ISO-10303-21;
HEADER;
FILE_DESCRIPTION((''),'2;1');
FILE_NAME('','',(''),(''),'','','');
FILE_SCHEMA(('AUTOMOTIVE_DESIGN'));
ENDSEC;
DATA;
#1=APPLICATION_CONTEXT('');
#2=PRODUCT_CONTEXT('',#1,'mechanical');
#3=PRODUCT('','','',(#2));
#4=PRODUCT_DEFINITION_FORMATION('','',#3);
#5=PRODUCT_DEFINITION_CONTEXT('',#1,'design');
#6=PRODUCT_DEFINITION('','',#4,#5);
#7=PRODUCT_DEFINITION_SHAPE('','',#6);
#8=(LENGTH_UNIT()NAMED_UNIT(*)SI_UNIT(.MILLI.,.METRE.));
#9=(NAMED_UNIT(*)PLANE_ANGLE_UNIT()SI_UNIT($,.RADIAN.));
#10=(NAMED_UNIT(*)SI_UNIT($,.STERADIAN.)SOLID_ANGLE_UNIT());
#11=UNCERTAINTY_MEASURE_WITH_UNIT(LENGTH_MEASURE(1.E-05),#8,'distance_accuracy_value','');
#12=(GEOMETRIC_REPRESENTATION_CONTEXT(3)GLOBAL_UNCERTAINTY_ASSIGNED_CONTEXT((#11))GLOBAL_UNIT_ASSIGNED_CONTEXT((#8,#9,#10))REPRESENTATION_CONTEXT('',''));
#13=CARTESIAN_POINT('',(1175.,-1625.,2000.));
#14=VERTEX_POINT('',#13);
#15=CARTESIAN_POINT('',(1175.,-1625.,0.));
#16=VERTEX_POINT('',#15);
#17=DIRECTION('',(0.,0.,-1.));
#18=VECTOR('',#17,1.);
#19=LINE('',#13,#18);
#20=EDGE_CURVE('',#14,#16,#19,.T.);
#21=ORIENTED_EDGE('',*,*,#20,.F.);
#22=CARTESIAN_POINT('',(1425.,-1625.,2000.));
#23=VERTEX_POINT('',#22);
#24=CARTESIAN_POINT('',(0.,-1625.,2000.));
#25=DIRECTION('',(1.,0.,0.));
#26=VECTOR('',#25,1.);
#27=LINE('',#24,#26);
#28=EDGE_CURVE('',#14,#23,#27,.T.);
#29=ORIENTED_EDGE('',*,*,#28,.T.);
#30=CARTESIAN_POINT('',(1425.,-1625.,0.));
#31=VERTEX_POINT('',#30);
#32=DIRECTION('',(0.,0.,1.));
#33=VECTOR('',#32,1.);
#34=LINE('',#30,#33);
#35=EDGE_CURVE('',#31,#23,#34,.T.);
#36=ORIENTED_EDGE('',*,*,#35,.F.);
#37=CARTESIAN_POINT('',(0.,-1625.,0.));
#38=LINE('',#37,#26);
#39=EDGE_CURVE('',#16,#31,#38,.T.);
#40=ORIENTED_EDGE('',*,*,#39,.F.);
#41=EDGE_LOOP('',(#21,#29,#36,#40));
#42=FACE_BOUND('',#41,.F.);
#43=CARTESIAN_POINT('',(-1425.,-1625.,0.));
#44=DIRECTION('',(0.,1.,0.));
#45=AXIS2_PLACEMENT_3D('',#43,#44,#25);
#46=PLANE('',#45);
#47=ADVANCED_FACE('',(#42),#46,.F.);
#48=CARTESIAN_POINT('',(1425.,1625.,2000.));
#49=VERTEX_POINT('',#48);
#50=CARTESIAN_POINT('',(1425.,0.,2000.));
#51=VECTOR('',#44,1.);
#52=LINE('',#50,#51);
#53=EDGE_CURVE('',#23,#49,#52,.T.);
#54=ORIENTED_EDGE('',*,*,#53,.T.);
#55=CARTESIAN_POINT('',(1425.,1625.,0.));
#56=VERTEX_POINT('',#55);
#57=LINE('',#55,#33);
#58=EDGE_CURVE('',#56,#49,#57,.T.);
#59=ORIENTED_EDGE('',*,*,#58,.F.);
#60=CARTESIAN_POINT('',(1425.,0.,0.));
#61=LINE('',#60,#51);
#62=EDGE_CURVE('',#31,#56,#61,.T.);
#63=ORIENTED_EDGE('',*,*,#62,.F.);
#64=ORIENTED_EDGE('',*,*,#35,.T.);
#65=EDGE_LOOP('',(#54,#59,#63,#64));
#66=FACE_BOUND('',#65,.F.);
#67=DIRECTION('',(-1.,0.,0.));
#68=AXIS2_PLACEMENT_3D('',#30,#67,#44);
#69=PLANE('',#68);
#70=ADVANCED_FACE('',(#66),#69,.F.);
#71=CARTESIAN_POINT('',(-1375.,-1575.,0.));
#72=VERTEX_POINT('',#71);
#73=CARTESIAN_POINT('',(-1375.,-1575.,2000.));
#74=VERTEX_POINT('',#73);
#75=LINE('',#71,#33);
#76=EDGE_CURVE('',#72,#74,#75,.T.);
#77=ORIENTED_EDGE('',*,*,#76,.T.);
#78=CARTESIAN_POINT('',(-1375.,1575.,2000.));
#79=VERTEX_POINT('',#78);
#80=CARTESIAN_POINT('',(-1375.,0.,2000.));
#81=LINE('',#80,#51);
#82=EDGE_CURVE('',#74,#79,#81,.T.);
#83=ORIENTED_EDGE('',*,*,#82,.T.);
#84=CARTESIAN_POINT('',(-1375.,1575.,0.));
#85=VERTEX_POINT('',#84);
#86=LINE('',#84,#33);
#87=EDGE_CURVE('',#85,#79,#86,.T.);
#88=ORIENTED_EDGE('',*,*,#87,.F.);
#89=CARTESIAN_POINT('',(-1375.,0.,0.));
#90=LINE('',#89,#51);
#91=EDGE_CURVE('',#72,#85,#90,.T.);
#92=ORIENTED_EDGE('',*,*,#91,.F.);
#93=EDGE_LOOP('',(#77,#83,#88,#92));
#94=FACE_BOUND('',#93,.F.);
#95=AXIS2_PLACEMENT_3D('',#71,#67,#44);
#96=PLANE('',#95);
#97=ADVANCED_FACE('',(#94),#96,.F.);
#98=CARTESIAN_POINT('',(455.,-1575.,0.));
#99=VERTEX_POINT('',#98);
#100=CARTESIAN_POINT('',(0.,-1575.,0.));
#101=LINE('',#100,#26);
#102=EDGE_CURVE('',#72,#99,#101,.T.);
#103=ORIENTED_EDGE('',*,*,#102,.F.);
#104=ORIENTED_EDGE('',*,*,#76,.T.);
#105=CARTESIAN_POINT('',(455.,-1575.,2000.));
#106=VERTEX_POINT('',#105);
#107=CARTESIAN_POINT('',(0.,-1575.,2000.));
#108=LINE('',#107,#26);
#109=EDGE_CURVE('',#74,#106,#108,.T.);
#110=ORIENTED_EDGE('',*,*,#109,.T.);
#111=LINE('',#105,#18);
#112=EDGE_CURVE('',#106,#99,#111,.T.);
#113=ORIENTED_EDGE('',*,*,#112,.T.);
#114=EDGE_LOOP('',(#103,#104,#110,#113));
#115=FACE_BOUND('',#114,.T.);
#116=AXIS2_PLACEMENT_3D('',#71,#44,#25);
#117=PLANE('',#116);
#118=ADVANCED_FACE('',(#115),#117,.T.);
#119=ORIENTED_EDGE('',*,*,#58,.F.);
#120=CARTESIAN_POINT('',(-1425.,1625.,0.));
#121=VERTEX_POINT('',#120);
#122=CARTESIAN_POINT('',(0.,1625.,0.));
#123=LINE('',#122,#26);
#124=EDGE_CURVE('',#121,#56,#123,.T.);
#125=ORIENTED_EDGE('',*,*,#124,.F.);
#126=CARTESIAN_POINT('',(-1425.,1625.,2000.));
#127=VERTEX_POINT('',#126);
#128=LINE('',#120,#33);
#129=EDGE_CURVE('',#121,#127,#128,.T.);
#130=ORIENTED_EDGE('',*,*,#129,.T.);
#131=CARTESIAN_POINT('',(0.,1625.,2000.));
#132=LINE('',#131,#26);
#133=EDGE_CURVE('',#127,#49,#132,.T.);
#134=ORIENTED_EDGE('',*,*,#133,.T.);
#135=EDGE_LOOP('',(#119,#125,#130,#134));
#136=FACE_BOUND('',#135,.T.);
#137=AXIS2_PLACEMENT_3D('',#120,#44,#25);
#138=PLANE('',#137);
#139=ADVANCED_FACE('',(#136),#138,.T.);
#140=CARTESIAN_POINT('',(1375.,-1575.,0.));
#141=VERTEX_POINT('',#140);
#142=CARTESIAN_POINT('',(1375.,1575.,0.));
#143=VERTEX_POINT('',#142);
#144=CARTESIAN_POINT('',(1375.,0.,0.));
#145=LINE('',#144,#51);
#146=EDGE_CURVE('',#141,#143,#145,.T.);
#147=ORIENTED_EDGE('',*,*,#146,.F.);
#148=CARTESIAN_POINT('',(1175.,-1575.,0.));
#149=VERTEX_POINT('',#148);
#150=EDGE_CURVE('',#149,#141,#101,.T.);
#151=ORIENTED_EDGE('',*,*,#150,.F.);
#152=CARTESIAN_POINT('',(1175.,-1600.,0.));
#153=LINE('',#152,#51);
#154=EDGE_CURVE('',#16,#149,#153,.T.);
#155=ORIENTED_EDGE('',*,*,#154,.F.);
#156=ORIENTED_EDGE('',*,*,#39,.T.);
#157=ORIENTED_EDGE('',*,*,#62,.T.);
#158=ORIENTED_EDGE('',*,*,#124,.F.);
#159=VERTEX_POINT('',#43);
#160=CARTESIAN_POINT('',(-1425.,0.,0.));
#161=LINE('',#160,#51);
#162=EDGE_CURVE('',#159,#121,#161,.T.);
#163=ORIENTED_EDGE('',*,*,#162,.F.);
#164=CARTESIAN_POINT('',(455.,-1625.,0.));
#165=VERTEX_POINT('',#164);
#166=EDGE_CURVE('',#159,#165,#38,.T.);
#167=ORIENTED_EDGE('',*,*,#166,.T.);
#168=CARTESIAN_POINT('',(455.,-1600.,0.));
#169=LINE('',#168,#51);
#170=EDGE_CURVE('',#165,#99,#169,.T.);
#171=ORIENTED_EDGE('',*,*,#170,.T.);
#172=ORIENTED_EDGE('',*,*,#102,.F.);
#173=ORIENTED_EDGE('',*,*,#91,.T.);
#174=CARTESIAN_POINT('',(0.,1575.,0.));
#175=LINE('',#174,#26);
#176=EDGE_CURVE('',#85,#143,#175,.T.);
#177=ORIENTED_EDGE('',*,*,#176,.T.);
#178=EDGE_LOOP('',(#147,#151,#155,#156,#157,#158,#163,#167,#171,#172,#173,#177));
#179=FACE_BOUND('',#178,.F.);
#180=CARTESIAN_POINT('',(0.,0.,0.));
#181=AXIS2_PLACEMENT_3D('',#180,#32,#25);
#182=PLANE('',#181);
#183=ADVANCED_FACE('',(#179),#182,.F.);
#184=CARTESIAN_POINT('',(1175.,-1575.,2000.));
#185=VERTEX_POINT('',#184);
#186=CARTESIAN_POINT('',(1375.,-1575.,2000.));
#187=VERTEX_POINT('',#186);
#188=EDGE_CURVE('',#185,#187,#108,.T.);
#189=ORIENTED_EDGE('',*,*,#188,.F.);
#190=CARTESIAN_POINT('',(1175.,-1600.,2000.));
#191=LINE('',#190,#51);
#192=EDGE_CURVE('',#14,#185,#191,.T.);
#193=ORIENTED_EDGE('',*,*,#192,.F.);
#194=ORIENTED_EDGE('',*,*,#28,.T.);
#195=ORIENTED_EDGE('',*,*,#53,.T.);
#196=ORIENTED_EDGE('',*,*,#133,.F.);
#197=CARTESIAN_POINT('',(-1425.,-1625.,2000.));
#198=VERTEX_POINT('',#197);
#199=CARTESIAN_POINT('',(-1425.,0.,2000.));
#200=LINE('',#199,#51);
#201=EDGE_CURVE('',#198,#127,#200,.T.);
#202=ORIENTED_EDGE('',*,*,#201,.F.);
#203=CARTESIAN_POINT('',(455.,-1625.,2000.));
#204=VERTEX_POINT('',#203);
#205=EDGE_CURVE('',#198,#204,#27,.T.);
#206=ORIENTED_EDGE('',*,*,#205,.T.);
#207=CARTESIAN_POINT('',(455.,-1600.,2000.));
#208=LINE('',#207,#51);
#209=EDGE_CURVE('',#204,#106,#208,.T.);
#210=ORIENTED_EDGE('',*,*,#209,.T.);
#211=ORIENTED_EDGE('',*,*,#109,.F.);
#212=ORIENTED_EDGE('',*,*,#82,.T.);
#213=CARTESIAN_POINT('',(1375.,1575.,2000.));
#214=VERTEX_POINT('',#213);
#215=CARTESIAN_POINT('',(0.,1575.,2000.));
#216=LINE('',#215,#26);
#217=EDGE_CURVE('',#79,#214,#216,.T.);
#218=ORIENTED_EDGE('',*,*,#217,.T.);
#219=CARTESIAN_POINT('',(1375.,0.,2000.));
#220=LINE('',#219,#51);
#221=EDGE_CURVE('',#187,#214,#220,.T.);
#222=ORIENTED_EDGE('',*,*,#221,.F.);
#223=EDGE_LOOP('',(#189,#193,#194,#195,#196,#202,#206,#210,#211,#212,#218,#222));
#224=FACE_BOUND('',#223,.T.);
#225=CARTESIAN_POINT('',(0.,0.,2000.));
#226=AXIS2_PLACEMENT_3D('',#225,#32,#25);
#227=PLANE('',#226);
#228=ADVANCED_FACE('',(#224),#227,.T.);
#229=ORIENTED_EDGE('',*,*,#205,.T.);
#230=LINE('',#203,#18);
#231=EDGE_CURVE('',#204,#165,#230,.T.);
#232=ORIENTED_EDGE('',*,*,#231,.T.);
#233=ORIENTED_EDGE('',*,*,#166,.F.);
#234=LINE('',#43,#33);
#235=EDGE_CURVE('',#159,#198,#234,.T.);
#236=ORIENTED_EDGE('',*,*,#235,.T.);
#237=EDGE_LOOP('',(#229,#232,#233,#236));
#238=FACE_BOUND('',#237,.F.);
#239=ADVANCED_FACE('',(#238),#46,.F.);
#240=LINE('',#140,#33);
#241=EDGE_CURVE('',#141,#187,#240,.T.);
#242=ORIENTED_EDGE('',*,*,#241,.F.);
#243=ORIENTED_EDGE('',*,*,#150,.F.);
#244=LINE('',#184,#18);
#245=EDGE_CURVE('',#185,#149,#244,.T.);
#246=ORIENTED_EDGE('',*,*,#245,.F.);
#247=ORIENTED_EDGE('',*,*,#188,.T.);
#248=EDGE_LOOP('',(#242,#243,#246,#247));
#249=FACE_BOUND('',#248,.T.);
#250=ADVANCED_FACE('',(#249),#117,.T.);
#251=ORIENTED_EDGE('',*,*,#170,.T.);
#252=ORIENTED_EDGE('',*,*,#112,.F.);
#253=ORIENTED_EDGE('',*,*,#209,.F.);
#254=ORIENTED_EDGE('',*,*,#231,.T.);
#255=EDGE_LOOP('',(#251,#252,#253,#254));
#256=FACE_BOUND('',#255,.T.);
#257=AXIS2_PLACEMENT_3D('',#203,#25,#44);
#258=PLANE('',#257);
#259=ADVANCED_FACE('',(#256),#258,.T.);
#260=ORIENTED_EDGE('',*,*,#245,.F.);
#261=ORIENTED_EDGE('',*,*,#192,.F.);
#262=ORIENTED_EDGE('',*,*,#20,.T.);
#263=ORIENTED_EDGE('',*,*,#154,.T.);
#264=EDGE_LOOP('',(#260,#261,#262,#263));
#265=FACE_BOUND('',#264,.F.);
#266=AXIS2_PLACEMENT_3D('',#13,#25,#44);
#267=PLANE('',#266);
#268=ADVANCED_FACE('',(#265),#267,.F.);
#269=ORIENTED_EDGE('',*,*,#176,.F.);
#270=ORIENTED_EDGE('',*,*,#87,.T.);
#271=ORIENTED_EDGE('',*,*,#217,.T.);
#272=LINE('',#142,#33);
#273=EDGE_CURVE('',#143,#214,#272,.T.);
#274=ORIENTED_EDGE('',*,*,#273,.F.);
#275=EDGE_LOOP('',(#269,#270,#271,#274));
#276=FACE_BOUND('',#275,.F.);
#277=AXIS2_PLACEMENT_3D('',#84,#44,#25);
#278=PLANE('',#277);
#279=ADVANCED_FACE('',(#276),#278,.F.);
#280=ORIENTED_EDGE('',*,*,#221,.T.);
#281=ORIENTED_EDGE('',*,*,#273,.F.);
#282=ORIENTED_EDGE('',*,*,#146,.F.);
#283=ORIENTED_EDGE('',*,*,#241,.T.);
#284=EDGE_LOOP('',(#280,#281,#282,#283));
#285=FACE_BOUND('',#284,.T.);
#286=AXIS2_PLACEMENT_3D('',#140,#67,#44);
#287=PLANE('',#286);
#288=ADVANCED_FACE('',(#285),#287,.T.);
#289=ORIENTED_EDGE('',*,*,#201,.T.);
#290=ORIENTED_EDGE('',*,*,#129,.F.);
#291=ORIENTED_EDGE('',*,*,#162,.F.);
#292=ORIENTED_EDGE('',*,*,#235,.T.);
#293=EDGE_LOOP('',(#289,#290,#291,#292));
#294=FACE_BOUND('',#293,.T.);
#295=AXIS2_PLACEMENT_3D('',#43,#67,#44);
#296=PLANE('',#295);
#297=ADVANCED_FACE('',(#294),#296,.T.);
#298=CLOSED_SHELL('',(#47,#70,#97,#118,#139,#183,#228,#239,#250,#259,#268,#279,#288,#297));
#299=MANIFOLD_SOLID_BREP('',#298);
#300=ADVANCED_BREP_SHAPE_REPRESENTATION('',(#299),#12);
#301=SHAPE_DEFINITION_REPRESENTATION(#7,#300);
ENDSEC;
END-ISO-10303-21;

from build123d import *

# Parameters (mm, degrees)
F0_W     = 2850
F0_H     = 3250
F0_W_2   = 2750
F0_H_2   = 3150
F1_DEPTH = 2000
F2_W     = 720
F2_H     = 50
F3_DEPTH = 2000


with BuildPart() as f1:
    # F0 (on Top) → F1 (new body)
    with BuildSketch(Plane.XY):
        Rectangle(F0_W, F0_H)
        Rectangle(F0_W_2, F0_H_2, mode=Mode.SUBTRACT)
    extrude(amount=F1_DEPTH)

    # F2 (on face) → F3 (cut, through all)
    with BuildSketch(Plane.XY.offset(2000)):
        with Locations((815, -1600)):
            Rectangle(F2_W, F2_H)
    extrude(amount=-F3_DEPTH, mode=Mode.SUBTRACT)


solid = f1.part
